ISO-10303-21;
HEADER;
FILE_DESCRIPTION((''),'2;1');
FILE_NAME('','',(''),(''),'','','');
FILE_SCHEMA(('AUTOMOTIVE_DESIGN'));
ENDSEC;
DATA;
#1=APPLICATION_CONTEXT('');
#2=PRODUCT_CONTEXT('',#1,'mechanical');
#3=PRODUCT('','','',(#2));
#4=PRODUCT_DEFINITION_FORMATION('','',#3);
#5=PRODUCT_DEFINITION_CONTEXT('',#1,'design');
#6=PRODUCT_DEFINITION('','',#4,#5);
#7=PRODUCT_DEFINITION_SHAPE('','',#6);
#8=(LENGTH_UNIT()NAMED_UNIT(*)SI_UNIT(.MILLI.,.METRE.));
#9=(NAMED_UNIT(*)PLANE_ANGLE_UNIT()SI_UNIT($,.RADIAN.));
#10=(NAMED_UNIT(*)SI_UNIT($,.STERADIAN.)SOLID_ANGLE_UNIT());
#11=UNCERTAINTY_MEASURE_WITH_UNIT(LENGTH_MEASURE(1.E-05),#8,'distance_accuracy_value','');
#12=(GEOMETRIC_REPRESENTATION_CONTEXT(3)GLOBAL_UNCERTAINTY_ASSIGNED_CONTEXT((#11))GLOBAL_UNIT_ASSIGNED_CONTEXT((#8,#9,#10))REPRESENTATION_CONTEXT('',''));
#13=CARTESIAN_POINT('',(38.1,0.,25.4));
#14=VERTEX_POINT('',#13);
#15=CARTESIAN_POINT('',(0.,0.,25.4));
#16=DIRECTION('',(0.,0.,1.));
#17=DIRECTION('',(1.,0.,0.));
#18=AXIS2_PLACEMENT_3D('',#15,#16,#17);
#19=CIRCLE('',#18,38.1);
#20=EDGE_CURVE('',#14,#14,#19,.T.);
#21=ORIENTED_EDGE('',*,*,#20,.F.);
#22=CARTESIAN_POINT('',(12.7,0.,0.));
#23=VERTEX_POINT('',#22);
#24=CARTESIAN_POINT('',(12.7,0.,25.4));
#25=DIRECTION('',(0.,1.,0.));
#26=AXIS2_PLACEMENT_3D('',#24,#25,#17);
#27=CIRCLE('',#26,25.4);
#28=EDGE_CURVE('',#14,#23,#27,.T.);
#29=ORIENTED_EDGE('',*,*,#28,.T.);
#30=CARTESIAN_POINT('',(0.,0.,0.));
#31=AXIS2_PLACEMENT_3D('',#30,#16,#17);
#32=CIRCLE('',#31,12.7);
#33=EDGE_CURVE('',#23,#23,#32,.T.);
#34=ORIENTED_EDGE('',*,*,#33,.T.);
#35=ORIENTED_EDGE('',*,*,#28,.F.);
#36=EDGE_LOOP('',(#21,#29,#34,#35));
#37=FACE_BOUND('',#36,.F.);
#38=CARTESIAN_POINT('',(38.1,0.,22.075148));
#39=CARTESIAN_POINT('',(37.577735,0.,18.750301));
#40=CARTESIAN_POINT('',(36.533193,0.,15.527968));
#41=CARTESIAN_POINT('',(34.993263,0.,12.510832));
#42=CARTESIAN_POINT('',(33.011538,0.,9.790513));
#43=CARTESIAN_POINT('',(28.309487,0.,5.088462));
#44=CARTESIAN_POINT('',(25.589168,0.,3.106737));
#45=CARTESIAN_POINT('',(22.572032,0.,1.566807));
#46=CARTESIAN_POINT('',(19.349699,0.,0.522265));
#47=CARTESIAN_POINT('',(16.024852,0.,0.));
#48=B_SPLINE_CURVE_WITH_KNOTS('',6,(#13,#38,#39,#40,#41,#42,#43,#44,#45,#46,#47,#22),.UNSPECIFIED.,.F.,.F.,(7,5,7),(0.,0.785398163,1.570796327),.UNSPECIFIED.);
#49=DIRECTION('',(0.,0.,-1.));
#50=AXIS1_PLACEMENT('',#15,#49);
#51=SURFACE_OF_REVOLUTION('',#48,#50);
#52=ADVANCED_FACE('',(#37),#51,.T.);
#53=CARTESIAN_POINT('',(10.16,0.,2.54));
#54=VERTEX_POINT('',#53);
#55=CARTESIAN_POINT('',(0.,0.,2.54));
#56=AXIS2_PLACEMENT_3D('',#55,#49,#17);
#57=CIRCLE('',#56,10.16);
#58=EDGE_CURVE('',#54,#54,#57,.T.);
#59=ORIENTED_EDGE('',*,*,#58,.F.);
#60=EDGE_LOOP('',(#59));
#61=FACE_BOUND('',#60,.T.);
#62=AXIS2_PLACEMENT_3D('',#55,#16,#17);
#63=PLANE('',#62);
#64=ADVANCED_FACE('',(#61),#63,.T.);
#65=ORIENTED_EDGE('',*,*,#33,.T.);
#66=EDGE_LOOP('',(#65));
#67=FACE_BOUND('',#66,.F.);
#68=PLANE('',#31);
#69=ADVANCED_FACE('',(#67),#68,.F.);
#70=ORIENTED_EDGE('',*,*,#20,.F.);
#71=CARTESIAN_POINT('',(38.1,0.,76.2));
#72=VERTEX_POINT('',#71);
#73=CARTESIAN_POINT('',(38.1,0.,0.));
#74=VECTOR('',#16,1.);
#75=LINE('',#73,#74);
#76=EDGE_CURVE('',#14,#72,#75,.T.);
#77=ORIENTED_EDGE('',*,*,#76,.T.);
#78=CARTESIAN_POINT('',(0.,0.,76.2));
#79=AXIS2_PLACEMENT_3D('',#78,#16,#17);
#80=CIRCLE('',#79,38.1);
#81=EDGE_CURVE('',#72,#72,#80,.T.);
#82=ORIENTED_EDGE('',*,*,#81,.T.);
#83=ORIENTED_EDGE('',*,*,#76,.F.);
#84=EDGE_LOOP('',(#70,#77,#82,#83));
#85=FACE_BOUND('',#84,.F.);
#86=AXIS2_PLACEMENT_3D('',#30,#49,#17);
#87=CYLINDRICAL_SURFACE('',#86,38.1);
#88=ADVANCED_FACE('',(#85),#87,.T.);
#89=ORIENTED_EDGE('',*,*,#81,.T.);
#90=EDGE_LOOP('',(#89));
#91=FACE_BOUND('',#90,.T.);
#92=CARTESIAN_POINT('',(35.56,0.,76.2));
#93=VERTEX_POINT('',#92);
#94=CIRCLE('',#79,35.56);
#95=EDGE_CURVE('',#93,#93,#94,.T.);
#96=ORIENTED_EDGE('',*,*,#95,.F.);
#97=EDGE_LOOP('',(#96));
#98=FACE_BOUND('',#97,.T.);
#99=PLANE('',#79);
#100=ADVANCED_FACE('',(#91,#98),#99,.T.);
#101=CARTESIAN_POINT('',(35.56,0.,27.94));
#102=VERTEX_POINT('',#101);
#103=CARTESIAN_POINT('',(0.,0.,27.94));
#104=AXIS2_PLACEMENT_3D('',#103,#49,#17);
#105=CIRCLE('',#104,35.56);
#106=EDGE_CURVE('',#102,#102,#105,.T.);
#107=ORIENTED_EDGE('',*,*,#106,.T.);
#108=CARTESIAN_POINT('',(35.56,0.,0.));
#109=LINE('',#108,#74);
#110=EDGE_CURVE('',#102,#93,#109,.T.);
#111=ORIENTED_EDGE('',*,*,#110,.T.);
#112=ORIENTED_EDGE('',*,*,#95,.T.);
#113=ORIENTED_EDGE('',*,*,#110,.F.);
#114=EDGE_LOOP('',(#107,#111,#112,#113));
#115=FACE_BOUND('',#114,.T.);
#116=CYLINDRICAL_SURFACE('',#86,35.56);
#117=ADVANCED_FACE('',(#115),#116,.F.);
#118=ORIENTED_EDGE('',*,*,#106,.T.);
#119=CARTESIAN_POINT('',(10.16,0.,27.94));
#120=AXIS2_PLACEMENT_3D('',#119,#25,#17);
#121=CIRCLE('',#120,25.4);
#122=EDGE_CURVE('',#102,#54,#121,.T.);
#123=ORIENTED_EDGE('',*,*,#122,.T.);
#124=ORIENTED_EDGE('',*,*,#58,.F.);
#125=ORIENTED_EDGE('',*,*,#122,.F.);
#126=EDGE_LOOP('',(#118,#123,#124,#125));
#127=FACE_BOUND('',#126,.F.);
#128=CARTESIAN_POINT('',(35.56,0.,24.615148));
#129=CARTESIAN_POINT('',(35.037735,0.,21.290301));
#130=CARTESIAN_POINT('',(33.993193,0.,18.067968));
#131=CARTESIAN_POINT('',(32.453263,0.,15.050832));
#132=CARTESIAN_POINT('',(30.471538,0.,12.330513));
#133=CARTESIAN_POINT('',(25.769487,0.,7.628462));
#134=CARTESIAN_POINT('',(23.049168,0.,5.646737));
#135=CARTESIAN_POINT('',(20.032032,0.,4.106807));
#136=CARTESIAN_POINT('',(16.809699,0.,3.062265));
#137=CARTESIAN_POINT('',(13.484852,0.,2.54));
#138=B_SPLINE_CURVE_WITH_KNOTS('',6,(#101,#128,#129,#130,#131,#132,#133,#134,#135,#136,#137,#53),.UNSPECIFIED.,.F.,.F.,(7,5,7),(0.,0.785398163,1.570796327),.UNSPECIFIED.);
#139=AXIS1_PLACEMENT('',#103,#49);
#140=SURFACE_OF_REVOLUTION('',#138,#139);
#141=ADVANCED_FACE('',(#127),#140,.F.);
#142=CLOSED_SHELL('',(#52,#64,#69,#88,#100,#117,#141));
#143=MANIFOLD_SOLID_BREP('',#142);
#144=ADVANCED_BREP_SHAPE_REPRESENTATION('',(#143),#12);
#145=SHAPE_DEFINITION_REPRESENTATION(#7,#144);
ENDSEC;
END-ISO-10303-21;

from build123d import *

# Parameters (mm, degrees)
F0_R     = 42.0600289117
F1_DEPTH = 76.2
F2_T     = -2.54
F3_R     = 25.4
F4_R     = 39.5200289117
F5_DEPTH = 25.4
F8_R     = 38.1
F9_DEPTH = 76.2
F10_T    = -2.54
F11_R    = 25.4


with BuildPart() as f1:
    # F0 (on Top) → F1 (new body)
    with BuildSketch(Plane.XY):
        Circle(F0_R)
    extrude(amount=F1_DEPTH)

    # F2
    f2_openings = [f1.faces().sort_by_distance(p)[0] for p in [
        (0, 0, 76.2),
    ]]
    offset(amount=F2_T, openings=f2_openings)

    # F3
    f3_edges = [f1.edges().sort_by_distance(p)[0] for p in [
        (-39.520029, 0, 2.54),
        (-42.060029, 0, 0),
    ]]
    fillet(f3_edges, radius=F3_R)


with BuildPart() as f5:
    # F4 (on face) → F5 (new body)
    with BuildSketch(Plane.XY.offset(76.2)):
        Circle(F4_R)
    extrude(amount=F5_DEPTH)


with BuildPart() as f9:
    # F8 (on Top) → F9 (new body)
    with BuildSketch(Plane.XY):
        Circle(F8_R)
    extrude(amount=F9_DEPTH)

    # F10
    f10_openings = [f9.faces().sort_by_distance(p)[0] for p in [
        (0, 0, 76.2),
    ]]
    offset(amount=F10_T, openings=f10_openings)

    # F11
    f11_edges = [f9.edges().sort_by_distance(p)[0] for p in [
        (-35.56, 0, 2.54),
        (-38.1, 0, 0),
    ]]
    fillet(f11_edges, radius=F11_R)


solid = f9.part
